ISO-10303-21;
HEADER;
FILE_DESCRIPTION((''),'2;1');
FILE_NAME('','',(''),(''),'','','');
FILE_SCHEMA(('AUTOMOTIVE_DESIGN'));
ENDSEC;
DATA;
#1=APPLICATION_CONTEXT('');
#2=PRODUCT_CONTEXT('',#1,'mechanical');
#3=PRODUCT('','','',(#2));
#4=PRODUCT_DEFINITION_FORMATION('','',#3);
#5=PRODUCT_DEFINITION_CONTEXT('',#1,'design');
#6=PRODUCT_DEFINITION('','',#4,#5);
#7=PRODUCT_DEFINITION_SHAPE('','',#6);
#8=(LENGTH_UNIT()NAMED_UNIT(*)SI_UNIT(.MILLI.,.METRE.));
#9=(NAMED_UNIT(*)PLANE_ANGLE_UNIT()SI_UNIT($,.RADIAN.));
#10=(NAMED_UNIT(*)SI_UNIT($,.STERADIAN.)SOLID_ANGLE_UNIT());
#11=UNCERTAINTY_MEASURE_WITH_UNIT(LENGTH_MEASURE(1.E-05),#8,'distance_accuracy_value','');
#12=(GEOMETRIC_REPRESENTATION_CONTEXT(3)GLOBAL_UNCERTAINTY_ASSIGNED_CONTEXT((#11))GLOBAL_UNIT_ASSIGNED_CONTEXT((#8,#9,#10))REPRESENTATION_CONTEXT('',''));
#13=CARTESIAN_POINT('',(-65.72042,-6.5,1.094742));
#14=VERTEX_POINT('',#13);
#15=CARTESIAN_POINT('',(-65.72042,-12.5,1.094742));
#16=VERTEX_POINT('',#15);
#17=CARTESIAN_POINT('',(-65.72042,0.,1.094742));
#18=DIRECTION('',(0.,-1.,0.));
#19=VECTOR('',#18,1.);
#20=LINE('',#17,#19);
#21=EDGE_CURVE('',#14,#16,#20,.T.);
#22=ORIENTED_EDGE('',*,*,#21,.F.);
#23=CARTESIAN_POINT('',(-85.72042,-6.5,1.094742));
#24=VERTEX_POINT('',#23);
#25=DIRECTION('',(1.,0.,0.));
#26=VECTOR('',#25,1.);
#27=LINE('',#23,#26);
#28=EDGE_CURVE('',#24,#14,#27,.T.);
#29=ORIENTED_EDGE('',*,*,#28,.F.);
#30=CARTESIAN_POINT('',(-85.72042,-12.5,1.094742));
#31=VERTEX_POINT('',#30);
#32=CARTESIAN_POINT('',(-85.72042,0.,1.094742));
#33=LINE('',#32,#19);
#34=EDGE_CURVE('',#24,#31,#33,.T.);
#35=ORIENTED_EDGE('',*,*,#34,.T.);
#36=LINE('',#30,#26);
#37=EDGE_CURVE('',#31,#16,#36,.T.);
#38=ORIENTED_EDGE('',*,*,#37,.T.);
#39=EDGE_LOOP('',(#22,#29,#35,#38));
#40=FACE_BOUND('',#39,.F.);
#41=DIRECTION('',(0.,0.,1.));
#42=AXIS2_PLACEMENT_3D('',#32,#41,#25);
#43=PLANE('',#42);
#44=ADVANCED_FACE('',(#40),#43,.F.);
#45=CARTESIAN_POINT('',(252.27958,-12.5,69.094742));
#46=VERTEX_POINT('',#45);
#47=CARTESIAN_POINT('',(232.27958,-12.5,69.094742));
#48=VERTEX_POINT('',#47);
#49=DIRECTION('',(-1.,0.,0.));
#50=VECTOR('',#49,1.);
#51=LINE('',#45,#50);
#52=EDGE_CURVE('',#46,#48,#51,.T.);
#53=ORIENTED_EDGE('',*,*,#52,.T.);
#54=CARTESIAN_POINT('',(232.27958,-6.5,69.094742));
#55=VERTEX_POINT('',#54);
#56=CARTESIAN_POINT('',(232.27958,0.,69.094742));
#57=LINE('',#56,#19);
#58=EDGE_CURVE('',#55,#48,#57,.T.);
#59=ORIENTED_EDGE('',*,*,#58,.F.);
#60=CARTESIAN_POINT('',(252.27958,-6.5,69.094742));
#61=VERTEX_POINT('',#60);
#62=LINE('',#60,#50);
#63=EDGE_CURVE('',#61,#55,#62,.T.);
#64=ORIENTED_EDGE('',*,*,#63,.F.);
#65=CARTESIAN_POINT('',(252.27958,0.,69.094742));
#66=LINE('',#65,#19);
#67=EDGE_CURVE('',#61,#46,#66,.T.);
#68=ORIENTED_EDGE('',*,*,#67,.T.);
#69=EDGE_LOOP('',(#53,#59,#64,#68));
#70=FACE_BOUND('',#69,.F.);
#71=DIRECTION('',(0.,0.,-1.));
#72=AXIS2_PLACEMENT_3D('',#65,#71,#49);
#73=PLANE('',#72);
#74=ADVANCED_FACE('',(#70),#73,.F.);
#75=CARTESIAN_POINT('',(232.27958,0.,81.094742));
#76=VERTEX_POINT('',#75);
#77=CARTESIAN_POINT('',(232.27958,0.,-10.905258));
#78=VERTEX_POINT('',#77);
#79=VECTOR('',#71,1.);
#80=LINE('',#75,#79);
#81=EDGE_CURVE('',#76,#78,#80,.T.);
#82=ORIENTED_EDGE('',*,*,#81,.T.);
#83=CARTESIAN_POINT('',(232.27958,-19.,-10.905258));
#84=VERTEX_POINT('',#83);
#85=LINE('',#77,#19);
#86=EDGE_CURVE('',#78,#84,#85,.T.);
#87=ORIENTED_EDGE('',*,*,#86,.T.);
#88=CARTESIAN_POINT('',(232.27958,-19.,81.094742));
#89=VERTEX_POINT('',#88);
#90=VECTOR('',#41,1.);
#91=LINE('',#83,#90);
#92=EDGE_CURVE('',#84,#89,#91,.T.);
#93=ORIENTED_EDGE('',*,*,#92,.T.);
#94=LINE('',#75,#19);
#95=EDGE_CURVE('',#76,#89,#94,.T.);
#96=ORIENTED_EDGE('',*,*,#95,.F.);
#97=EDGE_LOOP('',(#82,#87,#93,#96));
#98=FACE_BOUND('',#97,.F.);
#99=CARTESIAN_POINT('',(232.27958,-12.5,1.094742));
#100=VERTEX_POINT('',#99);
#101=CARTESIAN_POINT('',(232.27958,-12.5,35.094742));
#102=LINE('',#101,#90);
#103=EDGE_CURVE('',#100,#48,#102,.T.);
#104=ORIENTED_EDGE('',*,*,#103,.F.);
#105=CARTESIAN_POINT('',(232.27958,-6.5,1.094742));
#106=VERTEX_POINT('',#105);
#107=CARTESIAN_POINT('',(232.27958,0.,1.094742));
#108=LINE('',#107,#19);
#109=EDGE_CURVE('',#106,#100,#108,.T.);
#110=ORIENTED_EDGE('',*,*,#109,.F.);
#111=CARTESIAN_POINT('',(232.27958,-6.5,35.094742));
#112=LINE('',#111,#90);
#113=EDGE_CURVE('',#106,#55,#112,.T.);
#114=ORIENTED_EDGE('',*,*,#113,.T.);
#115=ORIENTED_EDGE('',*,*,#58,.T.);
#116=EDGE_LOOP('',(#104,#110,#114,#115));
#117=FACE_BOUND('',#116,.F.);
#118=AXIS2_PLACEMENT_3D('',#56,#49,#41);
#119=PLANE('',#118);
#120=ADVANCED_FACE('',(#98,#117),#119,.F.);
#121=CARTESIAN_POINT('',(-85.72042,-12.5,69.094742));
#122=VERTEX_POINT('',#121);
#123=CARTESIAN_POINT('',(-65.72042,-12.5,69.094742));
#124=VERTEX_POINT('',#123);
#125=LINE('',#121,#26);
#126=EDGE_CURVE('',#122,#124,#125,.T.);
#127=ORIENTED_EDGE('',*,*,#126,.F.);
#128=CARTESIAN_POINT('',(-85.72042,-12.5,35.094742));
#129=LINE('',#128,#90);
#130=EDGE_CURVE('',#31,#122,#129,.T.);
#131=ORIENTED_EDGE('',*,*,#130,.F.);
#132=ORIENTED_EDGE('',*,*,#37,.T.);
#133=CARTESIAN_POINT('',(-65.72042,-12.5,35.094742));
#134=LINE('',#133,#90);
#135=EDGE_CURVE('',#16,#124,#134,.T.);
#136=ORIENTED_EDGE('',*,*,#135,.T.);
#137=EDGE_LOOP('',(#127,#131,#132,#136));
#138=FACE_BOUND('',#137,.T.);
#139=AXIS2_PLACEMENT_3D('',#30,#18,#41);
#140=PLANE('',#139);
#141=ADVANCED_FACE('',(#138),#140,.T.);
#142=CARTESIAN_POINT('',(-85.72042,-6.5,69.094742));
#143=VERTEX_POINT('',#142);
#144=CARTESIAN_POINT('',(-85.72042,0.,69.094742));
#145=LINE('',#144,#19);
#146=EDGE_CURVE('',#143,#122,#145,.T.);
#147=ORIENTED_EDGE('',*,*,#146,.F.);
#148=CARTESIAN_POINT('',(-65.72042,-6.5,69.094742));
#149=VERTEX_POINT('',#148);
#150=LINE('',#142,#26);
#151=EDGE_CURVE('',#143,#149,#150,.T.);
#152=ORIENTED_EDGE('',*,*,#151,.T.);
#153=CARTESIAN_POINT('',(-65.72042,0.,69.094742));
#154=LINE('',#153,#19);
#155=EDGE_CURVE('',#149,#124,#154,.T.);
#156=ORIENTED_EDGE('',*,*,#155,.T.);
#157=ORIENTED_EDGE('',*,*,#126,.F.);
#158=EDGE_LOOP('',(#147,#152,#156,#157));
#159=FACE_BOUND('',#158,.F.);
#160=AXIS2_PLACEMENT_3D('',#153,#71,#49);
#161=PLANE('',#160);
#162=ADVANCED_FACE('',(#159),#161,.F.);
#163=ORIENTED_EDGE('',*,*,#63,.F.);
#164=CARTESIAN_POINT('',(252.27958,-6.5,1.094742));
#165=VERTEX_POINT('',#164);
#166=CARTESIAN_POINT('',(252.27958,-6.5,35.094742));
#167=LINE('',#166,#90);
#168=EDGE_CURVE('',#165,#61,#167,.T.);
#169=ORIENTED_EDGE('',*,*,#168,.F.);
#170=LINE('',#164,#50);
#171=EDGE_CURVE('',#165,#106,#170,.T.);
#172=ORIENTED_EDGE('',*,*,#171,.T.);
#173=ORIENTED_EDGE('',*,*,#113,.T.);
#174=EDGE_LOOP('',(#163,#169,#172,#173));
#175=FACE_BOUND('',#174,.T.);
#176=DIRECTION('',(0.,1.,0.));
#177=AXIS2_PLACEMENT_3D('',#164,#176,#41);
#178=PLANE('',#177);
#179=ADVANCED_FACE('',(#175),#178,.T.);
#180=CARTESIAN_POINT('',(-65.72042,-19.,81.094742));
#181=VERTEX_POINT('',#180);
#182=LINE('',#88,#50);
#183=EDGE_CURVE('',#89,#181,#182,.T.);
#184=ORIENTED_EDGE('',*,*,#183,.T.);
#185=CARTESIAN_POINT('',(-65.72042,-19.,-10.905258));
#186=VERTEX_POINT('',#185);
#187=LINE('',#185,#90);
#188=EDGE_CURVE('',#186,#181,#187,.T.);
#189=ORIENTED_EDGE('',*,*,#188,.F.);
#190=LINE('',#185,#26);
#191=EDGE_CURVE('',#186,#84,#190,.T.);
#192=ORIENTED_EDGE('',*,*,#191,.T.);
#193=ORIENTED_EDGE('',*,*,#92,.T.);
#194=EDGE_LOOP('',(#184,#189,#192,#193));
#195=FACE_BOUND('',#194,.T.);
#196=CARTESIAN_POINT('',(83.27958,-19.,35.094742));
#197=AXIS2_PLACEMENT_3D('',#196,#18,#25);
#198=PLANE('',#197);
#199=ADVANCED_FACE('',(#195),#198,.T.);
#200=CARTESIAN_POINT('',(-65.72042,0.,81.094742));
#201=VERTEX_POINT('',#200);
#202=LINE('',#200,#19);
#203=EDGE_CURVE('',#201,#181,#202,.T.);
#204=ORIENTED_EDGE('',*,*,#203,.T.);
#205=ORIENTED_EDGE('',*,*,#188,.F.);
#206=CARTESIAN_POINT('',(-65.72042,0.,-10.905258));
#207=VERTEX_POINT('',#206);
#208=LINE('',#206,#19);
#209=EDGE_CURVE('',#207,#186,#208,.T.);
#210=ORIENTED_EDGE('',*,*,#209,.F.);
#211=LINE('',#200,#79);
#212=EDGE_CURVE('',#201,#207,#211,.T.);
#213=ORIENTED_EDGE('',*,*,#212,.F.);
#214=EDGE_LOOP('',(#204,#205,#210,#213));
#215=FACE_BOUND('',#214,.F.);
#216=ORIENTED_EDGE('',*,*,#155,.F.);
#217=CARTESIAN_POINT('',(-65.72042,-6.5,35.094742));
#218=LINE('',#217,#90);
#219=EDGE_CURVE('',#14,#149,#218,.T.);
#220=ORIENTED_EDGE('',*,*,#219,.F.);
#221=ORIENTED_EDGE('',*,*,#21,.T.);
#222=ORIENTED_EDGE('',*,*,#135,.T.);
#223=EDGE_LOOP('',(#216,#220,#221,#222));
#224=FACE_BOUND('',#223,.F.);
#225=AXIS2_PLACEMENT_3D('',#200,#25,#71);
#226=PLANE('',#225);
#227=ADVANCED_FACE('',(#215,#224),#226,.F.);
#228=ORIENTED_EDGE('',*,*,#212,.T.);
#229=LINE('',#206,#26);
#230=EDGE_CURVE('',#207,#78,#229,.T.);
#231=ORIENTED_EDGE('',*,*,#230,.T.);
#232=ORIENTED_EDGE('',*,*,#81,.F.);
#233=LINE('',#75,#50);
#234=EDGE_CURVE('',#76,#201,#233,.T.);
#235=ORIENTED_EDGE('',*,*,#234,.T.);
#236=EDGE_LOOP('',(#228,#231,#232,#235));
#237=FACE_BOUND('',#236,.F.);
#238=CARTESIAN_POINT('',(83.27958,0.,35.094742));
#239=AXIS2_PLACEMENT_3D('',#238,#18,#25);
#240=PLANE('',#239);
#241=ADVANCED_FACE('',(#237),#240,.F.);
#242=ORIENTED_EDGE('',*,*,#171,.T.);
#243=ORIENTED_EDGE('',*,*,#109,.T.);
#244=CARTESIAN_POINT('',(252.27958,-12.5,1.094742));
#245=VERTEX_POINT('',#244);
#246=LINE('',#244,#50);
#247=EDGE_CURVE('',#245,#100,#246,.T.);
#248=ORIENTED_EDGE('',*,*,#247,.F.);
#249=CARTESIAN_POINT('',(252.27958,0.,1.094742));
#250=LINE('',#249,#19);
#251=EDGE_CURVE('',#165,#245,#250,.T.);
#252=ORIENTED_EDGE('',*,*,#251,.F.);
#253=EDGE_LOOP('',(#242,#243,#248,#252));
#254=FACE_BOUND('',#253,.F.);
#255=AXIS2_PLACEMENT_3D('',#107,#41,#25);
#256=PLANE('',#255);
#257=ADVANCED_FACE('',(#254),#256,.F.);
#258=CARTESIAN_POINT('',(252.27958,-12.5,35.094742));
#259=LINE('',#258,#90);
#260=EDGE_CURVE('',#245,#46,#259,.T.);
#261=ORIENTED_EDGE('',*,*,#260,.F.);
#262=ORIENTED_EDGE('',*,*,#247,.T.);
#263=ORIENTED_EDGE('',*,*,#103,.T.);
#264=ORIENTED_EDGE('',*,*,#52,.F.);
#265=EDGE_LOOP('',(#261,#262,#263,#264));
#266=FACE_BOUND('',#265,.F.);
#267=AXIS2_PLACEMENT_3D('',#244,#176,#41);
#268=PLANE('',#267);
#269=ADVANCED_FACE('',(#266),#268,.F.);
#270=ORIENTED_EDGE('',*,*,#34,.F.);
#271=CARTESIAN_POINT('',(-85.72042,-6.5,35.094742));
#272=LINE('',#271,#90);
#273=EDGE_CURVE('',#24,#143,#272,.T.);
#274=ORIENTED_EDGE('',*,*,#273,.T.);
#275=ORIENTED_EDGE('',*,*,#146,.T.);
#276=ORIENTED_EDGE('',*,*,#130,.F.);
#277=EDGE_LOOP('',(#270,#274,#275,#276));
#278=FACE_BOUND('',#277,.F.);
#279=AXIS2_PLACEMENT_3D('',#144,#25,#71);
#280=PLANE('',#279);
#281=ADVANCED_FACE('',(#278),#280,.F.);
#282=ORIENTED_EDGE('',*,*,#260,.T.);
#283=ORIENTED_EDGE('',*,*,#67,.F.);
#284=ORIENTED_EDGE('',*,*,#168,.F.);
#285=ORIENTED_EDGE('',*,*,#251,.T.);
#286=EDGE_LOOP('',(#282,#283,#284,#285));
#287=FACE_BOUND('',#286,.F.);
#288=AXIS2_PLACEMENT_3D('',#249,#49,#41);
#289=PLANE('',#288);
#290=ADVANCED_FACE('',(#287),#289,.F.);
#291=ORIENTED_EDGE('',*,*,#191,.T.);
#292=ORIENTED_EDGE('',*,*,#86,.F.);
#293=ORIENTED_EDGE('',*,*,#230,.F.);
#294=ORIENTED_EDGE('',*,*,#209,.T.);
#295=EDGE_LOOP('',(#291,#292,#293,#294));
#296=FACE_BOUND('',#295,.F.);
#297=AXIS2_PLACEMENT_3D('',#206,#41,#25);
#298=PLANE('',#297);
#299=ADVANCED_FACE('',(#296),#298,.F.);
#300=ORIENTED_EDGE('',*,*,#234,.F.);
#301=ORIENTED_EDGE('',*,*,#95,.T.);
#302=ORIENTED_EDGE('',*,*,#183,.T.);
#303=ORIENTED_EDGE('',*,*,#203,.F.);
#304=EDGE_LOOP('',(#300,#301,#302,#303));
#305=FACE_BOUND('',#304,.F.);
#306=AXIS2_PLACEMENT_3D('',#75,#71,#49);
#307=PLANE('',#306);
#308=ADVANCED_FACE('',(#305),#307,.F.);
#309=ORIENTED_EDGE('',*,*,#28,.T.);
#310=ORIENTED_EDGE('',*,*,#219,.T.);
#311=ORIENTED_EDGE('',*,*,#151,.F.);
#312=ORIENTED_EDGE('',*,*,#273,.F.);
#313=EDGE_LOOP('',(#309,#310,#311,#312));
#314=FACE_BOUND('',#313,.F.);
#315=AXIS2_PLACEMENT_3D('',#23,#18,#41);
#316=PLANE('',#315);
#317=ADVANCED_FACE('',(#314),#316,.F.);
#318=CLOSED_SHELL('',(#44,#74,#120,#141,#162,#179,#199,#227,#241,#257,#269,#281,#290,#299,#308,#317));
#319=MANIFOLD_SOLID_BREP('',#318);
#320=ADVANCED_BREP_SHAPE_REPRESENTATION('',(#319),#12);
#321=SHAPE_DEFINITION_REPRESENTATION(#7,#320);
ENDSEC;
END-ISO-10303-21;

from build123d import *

# Parameters (mm, degrees)
F1_DEPTH = 19
F2_W     = 6.5
F2_H     = 68
F3_DEPTH = 20
F4_W     = 6.5
F4_H     = 68
F5_DEPTH = 20


with BuildPart() as f1:
    # F0 (on Front) → F1 (new body)
    with BuildSketch(Plane.XZ):
        Polygon((-65.72042, 69.094742), (-85.72042, 69.094742), (-85.72042, 1.094742), (-65.72042, 1.094742), (-65.72042, -10.905258), (232.27958, -10.905258), (232.27958, 1.094742), (252.27958, 1.094742), (252.27958, 69.094742), (232.27958, 69.094742), (232.27958, 81.094742), (-65.72042, 81.094742), align=None)
    extrude(amount=F1_DEPTH)

    # F2 (on face) → F3 (cut)
    with BuildSketch(Plane.YZ.offset(252.27958)):
        with Locations((-15.75, 35.094742)):
            Rectangle(F2_W, F2_H)
        with Locations((-3.25, 35.094742)):
            Rectangle(F2_W, F2_H)
    extrude(amount=-F3_DEPTH, mode=Mode.SUBTRACT)

    # F4 (on face) → F5 (cut)
    with BuildSketch(Plane(origin=(-85.72042, 0, 0), x_dir=(0, -1, 0), z_dir=(-1, 0, 0))):
        with Locations((3.25, 35.094742)):
            Rectangle(F4_W, F4_H)
        with Locations((15.75, 35.094742)):
            Rectangle(F4_W, F4_H)
    extrude(amount=-F5_DEPTH, mode=Mode.SUBTRACT)


solid = f1.part
